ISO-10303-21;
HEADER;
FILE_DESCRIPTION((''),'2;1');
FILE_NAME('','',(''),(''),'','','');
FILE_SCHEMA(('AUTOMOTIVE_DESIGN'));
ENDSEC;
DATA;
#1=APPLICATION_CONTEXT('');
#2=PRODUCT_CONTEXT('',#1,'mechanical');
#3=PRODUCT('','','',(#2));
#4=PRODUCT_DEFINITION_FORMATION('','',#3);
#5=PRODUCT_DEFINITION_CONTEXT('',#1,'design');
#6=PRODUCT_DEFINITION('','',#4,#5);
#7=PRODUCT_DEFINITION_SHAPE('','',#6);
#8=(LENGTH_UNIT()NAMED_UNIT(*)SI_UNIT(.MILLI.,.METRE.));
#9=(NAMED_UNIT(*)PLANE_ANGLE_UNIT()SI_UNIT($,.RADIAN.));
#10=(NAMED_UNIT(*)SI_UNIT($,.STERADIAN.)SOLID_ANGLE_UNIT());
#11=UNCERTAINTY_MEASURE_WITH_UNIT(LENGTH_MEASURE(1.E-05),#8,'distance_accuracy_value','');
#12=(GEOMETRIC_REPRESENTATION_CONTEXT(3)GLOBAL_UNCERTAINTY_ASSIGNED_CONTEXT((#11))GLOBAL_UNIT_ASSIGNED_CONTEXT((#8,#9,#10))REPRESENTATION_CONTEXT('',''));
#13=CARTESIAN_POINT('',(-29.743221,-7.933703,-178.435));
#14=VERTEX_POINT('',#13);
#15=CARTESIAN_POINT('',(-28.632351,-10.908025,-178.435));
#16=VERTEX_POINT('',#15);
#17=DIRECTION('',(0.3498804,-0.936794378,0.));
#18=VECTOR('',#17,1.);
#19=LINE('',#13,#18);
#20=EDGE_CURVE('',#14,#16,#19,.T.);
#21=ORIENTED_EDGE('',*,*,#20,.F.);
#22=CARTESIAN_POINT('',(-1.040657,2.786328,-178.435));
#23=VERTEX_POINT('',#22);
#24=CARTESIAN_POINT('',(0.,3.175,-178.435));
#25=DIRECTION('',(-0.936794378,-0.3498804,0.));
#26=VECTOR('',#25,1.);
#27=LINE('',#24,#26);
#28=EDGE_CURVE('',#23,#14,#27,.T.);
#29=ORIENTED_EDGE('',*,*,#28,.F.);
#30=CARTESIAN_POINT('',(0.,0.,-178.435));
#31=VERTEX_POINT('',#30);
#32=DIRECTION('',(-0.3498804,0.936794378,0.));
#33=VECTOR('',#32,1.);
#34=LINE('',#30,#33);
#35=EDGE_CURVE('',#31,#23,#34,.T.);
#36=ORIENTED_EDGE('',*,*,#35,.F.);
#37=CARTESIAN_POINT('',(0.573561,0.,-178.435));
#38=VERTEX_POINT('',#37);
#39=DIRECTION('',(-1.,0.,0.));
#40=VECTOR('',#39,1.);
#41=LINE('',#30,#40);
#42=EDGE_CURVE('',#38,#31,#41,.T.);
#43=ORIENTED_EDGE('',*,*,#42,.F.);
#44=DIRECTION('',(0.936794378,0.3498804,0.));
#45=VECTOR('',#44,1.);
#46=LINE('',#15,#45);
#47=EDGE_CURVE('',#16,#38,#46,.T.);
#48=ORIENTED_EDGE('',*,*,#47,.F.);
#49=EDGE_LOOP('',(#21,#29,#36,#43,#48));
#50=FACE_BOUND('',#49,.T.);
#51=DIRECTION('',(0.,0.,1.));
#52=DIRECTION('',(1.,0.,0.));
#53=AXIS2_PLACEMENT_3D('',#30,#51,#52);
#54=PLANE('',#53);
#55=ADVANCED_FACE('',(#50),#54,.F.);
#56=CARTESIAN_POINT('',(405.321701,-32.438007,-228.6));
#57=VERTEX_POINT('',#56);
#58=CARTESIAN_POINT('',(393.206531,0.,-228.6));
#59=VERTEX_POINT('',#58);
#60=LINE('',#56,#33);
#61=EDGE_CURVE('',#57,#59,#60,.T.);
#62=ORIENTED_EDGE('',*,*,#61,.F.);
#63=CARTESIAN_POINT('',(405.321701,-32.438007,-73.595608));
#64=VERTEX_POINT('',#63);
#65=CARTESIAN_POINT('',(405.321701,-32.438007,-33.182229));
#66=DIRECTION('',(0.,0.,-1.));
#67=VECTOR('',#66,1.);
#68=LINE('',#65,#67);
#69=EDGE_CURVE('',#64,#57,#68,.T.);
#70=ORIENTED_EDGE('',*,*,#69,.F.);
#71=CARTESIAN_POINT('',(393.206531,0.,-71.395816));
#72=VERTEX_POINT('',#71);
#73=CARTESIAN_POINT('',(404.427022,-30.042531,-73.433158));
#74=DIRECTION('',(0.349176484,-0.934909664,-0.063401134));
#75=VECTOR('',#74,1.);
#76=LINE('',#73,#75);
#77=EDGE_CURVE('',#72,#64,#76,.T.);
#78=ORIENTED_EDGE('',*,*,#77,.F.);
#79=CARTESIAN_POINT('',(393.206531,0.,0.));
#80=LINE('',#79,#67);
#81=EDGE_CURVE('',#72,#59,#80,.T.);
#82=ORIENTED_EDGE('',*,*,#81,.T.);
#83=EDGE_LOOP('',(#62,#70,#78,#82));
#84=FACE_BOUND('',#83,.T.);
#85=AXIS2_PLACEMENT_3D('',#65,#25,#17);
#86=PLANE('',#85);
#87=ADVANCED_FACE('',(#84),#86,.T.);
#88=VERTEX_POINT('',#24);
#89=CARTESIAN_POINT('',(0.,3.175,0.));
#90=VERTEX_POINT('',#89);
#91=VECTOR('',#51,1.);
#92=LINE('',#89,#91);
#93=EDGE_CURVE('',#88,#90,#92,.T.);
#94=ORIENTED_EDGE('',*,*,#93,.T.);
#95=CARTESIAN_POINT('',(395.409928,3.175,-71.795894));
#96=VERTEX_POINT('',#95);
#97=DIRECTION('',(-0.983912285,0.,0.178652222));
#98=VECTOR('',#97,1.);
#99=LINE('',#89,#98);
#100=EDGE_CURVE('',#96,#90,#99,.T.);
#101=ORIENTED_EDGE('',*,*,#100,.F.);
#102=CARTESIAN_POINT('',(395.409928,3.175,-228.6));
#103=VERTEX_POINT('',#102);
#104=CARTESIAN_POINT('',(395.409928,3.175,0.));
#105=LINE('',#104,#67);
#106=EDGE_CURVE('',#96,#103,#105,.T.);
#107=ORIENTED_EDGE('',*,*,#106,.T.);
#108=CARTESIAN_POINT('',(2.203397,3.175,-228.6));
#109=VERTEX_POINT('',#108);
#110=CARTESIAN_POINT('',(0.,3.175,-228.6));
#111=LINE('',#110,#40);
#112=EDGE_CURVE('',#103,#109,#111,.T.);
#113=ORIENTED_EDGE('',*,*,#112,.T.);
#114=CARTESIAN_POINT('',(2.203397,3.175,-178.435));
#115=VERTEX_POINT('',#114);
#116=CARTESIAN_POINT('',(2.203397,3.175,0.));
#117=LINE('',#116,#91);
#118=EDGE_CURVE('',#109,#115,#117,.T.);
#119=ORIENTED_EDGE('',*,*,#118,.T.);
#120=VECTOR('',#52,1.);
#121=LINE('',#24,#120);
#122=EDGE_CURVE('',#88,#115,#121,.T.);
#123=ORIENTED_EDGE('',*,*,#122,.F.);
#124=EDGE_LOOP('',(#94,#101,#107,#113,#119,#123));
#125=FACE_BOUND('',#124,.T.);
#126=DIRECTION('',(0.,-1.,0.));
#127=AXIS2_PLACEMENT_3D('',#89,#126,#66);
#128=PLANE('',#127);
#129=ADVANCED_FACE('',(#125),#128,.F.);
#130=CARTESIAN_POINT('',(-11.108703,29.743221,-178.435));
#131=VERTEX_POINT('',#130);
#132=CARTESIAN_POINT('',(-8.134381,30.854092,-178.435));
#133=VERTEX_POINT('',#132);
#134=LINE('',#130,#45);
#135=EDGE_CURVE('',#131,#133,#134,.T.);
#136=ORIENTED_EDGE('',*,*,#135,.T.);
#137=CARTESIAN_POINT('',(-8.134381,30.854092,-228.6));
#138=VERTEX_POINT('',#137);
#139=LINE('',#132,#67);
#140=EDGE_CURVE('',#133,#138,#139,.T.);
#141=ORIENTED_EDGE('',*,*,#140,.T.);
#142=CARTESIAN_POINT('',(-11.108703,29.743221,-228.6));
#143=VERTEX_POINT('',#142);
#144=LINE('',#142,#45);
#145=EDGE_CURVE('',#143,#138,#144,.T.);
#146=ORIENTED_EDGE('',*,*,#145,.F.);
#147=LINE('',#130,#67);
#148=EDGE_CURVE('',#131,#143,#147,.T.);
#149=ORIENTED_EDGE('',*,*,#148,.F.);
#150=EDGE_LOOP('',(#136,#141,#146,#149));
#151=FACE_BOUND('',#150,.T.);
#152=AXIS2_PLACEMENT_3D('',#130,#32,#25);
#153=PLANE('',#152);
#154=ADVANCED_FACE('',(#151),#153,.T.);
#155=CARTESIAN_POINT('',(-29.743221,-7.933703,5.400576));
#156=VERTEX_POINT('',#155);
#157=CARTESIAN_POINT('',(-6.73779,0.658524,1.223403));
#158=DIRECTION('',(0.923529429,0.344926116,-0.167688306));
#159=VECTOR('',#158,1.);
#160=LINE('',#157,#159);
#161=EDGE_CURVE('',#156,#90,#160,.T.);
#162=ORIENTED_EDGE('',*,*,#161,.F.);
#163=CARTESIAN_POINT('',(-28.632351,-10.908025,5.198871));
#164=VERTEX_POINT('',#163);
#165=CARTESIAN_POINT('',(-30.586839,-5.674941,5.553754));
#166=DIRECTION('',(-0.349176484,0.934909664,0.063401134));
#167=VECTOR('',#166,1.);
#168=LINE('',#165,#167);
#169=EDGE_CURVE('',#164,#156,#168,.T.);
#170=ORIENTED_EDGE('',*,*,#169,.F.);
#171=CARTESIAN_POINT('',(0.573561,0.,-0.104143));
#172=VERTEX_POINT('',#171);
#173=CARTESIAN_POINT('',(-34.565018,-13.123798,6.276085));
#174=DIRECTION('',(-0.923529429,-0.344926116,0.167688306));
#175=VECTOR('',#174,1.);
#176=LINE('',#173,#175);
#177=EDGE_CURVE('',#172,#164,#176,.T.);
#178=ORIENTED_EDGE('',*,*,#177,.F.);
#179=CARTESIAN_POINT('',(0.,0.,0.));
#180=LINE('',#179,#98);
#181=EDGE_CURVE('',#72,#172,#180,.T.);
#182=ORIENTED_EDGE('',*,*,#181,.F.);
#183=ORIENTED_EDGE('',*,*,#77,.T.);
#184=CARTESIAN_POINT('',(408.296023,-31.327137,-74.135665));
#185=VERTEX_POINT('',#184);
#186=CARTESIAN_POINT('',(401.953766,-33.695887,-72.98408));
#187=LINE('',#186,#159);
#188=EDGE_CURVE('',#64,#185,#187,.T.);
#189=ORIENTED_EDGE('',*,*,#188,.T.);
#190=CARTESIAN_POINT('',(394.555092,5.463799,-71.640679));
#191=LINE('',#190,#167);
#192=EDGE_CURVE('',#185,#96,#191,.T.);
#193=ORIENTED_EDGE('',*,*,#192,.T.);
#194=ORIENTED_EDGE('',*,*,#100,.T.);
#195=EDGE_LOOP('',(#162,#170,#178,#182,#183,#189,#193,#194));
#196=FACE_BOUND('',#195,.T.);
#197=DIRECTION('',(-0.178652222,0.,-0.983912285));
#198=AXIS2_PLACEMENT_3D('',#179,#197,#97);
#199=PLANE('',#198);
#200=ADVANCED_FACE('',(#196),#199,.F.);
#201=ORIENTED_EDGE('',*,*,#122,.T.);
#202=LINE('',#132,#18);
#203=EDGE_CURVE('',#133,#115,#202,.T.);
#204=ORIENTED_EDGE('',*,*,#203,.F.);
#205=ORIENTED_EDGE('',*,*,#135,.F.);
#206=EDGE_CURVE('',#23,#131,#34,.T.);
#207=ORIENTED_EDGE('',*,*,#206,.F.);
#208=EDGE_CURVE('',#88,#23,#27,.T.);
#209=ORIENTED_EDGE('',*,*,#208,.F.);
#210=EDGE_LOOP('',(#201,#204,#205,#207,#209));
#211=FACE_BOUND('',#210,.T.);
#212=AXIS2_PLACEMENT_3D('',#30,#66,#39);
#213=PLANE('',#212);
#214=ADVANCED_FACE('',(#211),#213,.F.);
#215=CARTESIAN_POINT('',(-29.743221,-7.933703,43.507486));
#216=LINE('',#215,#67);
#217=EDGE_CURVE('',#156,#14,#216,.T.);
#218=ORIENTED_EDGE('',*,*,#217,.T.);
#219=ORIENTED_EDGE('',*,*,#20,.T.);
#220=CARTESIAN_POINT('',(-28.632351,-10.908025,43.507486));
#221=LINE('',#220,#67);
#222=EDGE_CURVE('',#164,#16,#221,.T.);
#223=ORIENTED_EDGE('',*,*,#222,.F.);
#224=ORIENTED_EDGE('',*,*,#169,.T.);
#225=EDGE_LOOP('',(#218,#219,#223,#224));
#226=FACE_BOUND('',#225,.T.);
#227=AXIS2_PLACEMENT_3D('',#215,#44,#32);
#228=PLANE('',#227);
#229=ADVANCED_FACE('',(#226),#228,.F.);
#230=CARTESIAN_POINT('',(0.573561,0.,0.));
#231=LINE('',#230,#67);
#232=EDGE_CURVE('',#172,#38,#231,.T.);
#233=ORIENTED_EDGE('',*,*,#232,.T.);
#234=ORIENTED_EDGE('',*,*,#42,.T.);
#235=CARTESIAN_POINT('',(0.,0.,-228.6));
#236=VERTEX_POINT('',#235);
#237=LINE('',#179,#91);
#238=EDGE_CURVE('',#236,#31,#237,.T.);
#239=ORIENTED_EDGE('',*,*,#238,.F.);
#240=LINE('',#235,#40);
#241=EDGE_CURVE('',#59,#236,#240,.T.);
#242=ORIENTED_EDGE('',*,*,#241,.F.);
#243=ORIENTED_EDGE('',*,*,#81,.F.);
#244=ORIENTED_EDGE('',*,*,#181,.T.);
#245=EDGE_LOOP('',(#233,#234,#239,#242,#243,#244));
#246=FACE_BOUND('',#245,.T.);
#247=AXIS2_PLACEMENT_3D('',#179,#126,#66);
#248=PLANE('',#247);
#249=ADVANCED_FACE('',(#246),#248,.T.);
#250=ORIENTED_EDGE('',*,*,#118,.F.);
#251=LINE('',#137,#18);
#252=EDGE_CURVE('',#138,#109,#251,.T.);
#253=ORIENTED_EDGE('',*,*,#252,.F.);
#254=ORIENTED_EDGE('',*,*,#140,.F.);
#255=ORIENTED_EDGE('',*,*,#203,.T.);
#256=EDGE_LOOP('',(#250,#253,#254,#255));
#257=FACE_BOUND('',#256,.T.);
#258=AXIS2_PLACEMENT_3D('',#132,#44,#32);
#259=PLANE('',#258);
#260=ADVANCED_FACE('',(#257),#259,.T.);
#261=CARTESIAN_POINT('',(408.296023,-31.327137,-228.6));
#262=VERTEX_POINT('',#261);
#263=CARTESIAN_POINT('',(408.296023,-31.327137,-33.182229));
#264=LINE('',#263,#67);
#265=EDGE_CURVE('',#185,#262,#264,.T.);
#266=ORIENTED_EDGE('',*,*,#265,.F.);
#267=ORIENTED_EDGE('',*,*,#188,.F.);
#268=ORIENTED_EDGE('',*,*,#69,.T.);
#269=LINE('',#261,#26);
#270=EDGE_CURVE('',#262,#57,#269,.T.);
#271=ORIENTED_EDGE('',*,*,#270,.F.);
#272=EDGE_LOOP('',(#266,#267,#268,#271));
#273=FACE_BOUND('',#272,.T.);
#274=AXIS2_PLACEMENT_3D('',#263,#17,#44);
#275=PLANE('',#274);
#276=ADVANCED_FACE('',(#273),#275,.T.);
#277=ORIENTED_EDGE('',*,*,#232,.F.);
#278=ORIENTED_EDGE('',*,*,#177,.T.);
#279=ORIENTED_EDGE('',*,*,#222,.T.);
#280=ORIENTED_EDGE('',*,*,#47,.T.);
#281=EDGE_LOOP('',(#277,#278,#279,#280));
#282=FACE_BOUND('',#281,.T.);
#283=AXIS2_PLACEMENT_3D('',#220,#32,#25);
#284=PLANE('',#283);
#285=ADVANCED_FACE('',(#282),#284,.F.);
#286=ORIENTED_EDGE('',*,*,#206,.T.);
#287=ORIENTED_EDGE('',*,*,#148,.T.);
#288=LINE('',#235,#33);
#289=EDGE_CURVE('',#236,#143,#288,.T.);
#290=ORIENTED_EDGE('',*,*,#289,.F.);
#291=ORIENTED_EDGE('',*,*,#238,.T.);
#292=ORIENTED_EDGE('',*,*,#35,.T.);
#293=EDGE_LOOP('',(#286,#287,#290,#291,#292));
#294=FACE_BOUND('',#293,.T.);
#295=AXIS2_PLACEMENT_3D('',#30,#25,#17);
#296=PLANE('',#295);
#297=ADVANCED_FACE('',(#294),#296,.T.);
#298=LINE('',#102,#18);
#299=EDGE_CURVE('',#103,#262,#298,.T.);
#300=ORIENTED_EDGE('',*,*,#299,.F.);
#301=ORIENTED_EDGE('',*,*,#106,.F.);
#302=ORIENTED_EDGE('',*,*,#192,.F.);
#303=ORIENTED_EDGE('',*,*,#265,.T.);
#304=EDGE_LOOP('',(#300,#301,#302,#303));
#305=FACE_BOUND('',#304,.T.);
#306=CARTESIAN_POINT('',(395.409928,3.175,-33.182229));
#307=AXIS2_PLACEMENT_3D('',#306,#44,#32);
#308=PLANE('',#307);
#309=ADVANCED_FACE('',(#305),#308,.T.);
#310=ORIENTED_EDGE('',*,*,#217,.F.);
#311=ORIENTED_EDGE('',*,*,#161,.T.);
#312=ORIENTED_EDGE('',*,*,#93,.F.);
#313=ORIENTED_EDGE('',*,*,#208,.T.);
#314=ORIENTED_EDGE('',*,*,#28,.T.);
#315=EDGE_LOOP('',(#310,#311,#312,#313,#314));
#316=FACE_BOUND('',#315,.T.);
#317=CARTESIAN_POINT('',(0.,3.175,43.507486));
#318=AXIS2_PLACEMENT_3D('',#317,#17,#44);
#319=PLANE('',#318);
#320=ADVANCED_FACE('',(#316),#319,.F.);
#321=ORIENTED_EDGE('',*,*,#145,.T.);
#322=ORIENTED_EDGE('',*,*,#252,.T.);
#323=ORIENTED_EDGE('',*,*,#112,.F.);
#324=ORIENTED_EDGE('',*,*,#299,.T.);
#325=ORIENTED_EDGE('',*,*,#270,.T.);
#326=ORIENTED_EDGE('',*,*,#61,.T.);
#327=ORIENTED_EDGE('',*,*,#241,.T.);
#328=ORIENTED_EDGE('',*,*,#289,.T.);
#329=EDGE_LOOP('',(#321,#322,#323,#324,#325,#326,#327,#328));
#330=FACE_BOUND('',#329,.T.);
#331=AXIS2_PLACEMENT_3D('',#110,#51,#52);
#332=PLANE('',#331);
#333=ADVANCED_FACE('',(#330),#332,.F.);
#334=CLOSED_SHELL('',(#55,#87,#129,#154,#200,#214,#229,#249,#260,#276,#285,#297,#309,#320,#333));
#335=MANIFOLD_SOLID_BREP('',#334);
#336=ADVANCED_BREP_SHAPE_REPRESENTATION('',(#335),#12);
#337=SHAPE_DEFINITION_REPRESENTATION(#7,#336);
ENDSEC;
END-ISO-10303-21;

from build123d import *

# Parameters (mm, degrees)
SKETCH1_W           = 395.409928
SKETCH1_H           = 228.6
BOSS_EXTRUDE1_DEPTH = 3.175
CUT_EXTRUDE1_DEPTH  = 3.175
BOSS_EXTRUDE2_REACH = 458.746
BOSS_EXTRUDE3_DEPTH = 50.165
BOSS_EXTRUDE5_REACH = 448.763


with BuildPart() as part:
    # Sketch1 → Boss-Extrude1 (new body)
    with BuildSketch(Plane(origin=(0, 0, 0), x_dir=(1, 0, 0), z_dir=(0, 1, 0))):
        with Locations((197.704964, 114.3)):
            Rectangle(SKETCH1_W, SKETCH1_H)
    extrude(amount=BOSS_EXTRUDE1_DEPTH)

    # Sketch2 → Cut-Extrude1 (cut)
    with BuildSketch(Plane(origin=(0, 3.175, 0), x_dir=(1, 0, 0), z_dir=(0, 1, 0))):
        Polygon((0, 0), (395.409928, 71.795894), (395.409928, 0), align=None)
    extrude(amount=-CUT_EXTRUDE1_DEPTH, mode=Mode.SUBTRACT)

    # Boss-Extrude2: up to this plane
    boss_extrude2_end = Plane(origin=(0, 0, 0), z_dir=(-0.17865222161961358, 0, -0.9839122845611679))
    # Sketch3 → Boss-Extrude2 (add, up to the surface)
    with BuildSketch(Plane(origin=(0, 0, -228.6), x_dir=(-1, 0, 0), z_dir=(0, 0, -1)), mode=Mode.PRIVATE) as boss_extrude2_sk1:
        Polygon((-395.409928, 3.175), (-408.296023119, -31.327136928), (-405.32170097, -32.438007197), (-392.020710392, 3.175), align=None)
    boss_extrude2_tool1 = split(extrude(boss_extrude2_sk1.sketch, amount=-BOSS_EXTRUDE2_REACH, mode=Mode.PRIVATE), bisect_by=boss_extrude2_end, keep=Keep.BOTH, mode=Mode.PRIVATE)
    add(boss_extrude2_tool1.solids().sort_by_distance((400.253689, -14.355253, -228.6))[0])

    # Sketch4 → Boss-Extrude3 (add)
    with BuildSketch(Plane(origin=(0, 0, -228.6), x_dir=(-1, 0, 0), z_dir=(0, 0, -1))):
        Polygon((0, 0), (11.108702689, 29.743221489), (8.13438054, 30.854091758), (-3.389217608, 0), align=None)
    extrude(amount=-BOSS_EXTRUDE3_DEPTH)

    # Boss-Extrude5: up to this plane
    boss_extrude5_end = Plane(origin=(0, 0, 0), z_dir=(-0.17865222161961358, 0, -0.9839122845611679))
    # Sketch6 → Boss-Extrude5 (add, up to the surface)
    with BuildSketch(Plane.XY.offset(-178.435), mode=Mode.PRIVATE) as boss_extrude5_sk1:
        Polygon((0, 3.175), (-29.743221489, -7.933702689), (-28.63235122, -10.908024838), (9.074529477, 3.175), align=None)
    boss_extrude5_tool1 = split(extrude(boss_extrude5_sk1.sketch, amount=BOSS_EXTRUDE5_REACH, mode=Mode.PRIVATE), bisect_by=boss_extrude5_end, keep=Keep.BOTH, mode=Mode.PRIVATE)
    add(boss_extrude5_tool1.solids().sort_by_distance((-12.225047, -3.152196, -178.435))[0])


solid = part.part
